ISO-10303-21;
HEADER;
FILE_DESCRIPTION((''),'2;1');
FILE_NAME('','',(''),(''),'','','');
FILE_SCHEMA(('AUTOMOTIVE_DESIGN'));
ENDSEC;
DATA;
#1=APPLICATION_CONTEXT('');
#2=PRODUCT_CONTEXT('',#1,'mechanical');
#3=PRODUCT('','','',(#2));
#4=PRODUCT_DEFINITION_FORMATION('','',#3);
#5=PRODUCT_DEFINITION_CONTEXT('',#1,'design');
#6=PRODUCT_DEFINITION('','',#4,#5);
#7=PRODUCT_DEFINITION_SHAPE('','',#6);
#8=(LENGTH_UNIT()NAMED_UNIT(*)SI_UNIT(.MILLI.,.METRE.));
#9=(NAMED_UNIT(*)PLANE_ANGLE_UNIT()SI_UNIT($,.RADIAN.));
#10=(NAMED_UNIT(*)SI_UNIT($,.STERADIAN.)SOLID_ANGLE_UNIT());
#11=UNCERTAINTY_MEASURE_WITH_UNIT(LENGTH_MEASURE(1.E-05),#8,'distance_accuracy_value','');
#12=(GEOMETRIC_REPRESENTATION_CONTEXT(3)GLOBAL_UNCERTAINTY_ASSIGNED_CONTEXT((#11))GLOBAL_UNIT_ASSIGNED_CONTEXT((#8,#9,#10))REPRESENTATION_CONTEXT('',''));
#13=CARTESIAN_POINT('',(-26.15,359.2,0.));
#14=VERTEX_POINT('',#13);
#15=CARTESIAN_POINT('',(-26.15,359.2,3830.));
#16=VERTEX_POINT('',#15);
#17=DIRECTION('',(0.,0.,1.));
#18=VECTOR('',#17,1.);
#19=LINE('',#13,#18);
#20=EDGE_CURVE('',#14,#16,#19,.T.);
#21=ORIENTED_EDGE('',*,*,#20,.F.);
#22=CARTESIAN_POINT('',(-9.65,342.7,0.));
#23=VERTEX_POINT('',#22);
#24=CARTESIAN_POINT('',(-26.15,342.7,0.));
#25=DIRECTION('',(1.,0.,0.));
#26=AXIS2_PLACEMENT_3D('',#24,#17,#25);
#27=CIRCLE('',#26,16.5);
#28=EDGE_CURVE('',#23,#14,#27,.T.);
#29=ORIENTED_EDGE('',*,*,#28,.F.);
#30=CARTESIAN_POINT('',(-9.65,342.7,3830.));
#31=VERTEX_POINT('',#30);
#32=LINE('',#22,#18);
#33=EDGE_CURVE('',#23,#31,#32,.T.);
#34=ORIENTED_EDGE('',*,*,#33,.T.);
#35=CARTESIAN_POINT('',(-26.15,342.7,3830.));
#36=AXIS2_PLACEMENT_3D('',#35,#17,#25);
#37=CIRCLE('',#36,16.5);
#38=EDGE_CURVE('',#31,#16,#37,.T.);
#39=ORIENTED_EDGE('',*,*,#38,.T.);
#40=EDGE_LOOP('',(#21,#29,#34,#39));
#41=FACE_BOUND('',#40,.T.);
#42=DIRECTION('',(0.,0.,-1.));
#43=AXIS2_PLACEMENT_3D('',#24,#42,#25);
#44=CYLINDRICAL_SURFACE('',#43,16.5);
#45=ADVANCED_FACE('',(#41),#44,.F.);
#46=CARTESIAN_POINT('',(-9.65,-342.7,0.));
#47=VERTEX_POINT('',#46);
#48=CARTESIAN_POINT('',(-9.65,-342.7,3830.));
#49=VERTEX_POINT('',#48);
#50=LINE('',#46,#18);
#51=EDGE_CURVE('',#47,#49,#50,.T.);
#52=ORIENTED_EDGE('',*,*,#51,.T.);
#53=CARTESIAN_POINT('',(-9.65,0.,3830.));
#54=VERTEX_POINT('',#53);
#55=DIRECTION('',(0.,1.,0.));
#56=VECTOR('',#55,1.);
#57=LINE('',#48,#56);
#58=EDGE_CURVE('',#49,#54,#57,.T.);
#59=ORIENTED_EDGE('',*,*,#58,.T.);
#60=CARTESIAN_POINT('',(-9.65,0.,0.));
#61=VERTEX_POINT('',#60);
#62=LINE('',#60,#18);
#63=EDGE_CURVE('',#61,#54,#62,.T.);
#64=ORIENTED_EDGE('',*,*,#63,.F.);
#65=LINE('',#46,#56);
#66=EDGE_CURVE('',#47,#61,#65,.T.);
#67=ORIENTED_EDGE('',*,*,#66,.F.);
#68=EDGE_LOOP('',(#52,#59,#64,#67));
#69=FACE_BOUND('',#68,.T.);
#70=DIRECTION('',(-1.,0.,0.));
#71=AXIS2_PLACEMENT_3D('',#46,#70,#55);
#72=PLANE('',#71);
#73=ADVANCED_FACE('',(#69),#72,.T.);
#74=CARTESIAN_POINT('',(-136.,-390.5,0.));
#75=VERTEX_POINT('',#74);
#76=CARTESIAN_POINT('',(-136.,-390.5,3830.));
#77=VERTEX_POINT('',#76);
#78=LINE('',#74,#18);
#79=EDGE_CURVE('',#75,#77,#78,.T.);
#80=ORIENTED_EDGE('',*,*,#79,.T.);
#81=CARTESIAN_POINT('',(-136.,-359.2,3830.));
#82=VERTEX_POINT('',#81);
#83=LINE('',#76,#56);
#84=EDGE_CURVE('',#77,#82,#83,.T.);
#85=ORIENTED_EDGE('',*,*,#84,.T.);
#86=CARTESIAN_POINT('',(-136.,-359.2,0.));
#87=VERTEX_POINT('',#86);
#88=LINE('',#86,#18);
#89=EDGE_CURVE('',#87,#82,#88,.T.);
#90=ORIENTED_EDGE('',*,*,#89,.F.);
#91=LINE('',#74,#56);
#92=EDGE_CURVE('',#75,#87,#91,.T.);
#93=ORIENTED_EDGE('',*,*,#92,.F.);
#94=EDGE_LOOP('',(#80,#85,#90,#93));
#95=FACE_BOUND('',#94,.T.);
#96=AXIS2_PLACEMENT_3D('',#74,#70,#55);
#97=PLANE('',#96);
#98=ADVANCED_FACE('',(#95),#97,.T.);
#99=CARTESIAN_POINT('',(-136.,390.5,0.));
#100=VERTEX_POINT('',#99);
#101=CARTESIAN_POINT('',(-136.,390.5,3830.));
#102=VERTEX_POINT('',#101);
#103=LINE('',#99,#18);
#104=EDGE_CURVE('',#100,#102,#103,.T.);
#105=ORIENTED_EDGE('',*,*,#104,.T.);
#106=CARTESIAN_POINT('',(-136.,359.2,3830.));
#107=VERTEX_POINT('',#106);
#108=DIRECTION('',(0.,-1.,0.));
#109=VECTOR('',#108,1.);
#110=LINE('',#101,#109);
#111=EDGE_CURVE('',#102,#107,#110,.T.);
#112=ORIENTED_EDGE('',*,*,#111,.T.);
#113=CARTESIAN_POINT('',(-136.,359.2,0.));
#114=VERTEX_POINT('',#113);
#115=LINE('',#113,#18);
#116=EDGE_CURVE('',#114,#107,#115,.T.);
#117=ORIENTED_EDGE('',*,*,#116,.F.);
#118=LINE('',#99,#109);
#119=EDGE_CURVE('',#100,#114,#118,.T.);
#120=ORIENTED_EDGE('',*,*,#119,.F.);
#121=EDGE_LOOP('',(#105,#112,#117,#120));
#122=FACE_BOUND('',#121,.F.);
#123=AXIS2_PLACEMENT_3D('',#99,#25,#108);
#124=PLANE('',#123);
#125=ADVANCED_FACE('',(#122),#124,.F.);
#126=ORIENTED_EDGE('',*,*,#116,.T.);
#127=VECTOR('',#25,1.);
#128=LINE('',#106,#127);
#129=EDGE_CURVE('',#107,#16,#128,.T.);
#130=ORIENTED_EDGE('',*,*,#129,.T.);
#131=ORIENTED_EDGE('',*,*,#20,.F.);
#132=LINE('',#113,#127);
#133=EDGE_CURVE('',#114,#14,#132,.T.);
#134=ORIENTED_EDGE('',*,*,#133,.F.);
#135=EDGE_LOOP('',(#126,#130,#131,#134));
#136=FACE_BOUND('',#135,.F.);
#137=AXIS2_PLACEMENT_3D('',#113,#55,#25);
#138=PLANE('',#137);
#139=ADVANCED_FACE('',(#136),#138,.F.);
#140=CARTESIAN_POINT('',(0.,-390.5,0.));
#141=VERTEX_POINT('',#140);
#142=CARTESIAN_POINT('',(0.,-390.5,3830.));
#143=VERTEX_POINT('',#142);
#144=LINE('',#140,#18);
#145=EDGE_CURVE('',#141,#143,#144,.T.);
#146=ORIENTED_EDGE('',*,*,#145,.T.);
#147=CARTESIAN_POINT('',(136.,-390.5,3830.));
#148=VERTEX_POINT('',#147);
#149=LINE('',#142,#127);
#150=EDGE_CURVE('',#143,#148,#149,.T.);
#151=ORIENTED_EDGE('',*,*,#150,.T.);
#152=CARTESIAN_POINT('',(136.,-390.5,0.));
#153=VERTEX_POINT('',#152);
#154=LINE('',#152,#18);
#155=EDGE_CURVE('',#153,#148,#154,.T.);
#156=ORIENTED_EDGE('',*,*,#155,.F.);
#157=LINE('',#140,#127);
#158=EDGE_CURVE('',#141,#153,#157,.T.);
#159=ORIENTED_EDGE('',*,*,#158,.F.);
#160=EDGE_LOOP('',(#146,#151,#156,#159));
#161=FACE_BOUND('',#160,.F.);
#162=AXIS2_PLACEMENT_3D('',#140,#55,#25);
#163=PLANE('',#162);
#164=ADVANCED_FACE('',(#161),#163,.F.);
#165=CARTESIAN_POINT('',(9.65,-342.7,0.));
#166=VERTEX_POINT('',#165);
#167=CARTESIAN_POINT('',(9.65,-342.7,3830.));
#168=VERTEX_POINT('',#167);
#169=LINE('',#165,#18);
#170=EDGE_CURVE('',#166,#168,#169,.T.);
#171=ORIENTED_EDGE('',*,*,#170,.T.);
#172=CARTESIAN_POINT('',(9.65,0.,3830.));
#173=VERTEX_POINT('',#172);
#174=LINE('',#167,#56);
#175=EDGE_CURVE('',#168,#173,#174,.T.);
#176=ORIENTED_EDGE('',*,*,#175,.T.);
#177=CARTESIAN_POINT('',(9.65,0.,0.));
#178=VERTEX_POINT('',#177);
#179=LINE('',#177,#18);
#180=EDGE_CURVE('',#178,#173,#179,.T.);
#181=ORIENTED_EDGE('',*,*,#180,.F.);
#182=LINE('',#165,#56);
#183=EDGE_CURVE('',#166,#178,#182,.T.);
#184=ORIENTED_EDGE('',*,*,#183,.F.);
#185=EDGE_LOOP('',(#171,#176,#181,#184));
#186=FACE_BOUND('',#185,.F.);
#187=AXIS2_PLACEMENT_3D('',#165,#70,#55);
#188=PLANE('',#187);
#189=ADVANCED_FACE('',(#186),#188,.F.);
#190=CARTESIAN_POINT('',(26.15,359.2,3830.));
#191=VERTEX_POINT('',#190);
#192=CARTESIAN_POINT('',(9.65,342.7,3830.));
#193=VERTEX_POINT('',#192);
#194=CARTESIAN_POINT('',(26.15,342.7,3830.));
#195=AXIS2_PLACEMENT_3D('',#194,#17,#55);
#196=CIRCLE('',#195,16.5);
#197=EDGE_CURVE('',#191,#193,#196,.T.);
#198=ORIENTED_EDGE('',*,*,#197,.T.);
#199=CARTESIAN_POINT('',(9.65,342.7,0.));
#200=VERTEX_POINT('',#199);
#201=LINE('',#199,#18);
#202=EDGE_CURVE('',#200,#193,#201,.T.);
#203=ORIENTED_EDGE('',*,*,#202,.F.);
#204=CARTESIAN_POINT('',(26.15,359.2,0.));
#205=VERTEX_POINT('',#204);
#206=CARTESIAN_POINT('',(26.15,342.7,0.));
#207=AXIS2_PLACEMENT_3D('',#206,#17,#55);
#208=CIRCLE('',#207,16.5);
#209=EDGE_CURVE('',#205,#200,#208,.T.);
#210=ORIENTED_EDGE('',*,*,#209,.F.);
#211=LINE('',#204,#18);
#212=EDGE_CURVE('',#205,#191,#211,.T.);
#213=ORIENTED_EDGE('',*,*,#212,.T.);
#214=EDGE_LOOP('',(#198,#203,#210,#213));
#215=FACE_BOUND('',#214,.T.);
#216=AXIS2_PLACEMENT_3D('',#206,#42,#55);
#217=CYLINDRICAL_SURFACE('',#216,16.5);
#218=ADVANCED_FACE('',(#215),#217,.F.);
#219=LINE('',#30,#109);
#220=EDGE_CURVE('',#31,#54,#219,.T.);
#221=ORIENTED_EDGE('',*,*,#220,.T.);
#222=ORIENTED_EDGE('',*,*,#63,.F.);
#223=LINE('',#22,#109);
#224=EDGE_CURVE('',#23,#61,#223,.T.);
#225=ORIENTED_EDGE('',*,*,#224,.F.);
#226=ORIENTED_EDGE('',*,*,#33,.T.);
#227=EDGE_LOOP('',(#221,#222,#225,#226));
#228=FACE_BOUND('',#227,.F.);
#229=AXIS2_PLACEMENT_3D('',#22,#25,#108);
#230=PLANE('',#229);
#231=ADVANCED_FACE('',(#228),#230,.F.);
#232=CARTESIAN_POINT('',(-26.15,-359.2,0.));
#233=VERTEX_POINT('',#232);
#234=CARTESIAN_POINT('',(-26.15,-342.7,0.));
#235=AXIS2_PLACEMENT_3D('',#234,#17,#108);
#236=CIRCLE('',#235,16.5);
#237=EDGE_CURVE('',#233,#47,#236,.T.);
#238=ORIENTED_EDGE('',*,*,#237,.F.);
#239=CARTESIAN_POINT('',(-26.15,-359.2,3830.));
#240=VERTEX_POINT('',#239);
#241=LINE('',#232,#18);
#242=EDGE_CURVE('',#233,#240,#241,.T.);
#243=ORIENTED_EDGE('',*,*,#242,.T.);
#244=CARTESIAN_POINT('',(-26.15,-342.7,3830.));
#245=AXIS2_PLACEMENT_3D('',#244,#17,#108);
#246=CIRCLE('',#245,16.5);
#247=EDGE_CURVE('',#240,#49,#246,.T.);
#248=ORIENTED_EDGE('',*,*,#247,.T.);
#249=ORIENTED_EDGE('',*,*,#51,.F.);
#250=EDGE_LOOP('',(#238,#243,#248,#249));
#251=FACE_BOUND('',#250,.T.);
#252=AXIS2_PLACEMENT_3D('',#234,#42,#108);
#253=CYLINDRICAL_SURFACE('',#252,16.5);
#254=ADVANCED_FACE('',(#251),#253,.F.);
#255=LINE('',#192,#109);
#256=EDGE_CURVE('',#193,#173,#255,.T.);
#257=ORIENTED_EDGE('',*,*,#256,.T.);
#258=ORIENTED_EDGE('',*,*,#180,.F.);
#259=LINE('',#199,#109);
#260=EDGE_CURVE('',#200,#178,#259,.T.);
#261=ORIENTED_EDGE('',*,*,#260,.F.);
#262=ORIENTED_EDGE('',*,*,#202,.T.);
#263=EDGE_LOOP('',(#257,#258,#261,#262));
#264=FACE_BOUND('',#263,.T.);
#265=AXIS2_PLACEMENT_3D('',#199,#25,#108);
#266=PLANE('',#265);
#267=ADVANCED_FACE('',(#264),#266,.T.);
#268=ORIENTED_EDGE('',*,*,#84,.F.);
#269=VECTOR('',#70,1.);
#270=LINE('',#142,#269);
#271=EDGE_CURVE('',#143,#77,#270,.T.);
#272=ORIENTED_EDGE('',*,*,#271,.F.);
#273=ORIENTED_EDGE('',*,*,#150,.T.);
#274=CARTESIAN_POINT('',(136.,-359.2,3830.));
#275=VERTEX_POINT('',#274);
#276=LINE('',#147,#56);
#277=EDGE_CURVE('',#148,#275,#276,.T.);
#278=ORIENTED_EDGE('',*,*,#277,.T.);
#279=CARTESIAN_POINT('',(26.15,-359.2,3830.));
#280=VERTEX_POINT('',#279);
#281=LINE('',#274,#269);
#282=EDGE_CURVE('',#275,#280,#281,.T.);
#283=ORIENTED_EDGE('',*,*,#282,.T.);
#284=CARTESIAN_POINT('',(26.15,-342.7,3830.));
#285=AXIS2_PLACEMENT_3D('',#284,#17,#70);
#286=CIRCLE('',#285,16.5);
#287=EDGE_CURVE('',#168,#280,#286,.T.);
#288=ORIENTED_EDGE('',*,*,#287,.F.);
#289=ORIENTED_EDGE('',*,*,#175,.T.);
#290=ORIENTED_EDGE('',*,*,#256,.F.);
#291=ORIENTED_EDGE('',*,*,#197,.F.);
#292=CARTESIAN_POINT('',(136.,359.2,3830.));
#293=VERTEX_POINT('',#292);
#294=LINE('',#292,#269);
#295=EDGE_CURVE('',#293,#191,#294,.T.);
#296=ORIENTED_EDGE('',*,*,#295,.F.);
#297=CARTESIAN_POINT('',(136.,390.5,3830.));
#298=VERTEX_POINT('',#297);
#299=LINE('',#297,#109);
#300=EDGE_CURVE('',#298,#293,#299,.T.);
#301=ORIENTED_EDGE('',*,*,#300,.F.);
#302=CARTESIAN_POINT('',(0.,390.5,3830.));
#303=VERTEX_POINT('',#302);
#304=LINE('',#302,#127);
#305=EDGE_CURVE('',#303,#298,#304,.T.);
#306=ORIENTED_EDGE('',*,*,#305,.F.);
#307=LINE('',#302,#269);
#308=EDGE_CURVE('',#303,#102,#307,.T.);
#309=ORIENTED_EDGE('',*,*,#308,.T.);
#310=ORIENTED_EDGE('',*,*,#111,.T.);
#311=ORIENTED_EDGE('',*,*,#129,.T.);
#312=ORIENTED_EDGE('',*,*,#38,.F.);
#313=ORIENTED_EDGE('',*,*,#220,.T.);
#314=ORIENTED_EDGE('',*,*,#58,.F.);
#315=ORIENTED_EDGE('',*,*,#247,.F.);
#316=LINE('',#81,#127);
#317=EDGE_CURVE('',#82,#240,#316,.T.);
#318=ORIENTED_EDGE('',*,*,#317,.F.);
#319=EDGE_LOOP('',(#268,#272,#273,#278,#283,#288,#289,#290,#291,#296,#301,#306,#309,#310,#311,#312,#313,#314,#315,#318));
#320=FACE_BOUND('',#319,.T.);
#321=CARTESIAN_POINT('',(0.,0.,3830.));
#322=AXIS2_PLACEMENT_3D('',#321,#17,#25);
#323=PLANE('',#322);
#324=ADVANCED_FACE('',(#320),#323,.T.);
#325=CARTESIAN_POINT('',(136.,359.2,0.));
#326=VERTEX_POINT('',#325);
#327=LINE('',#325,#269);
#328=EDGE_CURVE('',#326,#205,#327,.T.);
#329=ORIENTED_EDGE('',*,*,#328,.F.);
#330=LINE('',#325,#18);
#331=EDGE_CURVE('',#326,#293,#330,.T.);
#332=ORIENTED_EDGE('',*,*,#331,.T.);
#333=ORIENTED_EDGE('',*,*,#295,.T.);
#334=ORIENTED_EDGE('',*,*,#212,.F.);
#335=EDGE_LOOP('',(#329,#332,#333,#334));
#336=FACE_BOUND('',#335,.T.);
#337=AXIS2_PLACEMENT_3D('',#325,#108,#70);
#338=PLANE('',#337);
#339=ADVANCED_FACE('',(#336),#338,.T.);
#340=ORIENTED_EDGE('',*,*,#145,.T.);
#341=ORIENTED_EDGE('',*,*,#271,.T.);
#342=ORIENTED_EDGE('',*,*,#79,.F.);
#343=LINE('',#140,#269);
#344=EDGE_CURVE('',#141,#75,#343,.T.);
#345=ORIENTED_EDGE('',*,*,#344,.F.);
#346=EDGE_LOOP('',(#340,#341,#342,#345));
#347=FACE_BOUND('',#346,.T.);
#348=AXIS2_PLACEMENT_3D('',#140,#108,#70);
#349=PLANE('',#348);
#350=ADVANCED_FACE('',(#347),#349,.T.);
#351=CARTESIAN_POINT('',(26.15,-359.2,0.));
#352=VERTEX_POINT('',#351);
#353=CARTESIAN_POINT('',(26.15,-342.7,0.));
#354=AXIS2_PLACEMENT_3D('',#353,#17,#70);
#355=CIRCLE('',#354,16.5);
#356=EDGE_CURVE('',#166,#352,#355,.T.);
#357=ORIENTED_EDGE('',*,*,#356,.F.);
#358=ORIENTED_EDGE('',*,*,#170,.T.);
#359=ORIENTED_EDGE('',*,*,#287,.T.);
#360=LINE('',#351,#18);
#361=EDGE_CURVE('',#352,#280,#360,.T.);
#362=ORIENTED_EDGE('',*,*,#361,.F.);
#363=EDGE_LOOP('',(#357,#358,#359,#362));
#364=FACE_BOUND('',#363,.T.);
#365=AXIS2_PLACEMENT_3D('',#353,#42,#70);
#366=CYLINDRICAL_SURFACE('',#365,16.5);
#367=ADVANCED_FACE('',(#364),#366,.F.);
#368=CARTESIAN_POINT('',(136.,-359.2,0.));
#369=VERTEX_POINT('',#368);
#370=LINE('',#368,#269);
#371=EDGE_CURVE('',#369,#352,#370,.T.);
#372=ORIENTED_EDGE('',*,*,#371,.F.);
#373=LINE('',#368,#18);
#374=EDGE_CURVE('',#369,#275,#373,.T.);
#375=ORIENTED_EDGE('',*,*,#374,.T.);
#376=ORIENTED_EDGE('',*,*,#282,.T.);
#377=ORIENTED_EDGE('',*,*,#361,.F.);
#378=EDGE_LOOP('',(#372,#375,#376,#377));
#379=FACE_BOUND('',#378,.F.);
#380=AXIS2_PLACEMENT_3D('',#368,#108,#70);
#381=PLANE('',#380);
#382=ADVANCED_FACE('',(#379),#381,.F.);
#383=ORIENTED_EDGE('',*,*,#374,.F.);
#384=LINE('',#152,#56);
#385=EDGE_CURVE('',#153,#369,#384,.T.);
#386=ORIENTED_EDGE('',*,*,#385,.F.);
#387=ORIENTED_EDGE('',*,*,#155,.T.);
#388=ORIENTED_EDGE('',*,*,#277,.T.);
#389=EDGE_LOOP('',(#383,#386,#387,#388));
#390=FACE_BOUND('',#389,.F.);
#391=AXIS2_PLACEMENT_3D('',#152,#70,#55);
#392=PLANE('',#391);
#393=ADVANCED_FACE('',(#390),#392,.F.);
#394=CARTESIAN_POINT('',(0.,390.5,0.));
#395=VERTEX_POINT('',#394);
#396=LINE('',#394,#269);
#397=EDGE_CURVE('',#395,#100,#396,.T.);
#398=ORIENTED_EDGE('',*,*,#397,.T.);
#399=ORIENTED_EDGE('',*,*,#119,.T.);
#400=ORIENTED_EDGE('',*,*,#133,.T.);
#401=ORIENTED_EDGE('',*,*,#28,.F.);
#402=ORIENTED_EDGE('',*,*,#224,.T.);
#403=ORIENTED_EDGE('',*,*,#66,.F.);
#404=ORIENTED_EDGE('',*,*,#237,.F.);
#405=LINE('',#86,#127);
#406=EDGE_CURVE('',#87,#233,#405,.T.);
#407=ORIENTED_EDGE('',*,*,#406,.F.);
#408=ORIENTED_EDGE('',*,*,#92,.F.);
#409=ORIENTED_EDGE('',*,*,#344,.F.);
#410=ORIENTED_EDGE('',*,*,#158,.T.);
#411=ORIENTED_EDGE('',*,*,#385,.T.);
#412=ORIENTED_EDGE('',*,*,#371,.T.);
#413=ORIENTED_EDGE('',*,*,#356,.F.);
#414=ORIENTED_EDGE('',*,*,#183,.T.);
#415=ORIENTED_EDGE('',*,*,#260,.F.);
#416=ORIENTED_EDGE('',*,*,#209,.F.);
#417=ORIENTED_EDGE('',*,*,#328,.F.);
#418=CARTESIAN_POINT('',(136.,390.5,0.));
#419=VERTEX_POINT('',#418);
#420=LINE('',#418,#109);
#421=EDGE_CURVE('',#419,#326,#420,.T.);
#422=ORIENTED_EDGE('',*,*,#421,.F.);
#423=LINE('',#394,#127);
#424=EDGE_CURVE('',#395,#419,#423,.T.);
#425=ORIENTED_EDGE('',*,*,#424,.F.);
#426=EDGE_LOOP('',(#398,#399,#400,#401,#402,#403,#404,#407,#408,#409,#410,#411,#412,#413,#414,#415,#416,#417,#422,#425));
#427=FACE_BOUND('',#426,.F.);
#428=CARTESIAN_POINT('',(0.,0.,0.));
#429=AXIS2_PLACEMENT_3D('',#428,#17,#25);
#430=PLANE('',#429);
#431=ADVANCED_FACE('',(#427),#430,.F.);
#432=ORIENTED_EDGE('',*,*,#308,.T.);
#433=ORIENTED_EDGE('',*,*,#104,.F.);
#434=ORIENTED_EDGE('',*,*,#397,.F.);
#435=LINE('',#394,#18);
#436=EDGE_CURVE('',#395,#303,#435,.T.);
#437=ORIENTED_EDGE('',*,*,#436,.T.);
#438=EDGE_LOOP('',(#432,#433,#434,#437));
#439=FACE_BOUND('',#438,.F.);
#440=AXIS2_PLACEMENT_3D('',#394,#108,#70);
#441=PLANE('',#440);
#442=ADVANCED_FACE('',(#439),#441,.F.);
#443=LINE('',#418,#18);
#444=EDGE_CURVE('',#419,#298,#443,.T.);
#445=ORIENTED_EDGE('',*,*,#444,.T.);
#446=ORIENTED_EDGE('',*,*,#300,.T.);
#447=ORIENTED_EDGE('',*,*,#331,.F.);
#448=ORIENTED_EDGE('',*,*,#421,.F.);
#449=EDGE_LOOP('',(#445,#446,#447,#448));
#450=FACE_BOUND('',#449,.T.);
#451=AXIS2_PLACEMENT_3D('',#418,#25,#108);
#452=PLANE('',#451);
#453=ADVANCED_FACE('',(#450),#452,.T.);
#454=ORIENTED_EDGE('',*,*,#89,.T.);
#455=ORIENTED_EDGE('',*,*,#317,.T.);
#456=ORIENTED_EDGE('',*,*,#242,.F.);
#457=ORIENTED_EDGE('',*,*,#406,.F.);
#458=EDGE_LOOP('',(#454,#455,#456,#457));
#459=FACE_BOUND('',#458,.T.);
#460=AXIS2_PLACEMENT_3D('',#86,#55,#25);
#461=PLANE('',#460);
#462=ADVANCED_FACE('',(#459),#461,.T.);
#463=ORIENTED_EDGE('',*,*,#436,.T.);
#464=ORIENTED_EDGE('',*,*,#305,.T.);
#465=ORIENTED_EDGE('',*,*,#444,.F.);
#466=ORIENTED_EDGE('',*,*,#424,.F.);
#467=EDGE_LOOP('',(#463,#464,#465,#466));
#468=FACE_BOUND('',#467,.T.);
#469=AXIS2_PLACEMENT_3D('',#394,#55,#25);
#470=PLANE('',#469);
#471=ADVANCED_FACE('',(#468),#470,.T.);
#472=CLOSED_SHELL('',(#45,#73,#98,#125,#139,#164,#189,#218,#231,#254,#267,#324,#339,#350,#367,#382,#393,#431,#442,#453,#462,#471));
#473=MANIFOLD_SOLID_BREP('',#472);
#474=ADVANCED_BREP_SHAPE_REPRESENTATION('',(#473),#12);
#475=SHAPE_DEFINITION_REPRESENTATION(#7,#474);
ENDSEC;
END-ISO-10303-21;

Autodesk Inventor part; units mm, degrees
ref_plane "YZ Plane" through (0, 0, 0) normal (1, 0, 0) x (0, 1, 0)
ref_plane "Start plane" through (0, 0, 0) normal (0, 0, 1) x (1, 0, 0)
ref_plane "End plane" through (0, 0, 3830) normal (0, 0, 1) x (1, 0, 0)
sketch "Sketch" plane through (0, 0, 0) normal (0, 0, 1) x (1, 0, 0)
  line L0 (-136, -390.5) -> (-136, -359.2)
  line L1 (-136, -359.2) -> (-26.15, -359.2)
  line L2 (-9.65, -342.7) -> (-9.65, 0)
  line L3 (-9.65, 0) -> (0, 0) construction
  line L4 (0, 0) -> (0, -390.5) construction
  line L5 (0, -390.5) -> (-136, -390.5)
  line L6 (-60, 0) -> (80, 0) construction
  line L7 (0, -60) -> (0, 80) construction
  line L8 (136, -390.5) -> (136, -359.2)
  line L9 (136, -359.2) -> (26.15, -359.2)
  line L10 (9.65, -342.7) -> (9.65, 0)
  line L11 (9.65, 0) -> (0, 0) construction
  line L12 (0, -390.5) -> (136, -390.5)
  line L13 (-136, 390.5) -> (-136, 359.2)
  line L14 (-136, 359.2) -> (-26.15, 359.2)
  line L15 (-9.65, 342.7) -> (-9.65, 0)
  line L16 (0, 390.5) -> (-136, 390.5)
  line L17 (136, 390.5) -> (136, 359.2)
  line L18 (136, 359.2) -> (26.15, 359.2)
  line L19 (0, 390.5) -> (136, 390.5)
  line L20 (9.65, 342.7) -> (9.65, 0)
  arc A0 (-9.65, 342.7) -> (-26.15, 359.2) centre (-26.15, 342.7) ccw
  arc A1 (26.15, 359.2) -> (9.65, 342.7) centre (26.15, 342.7) ccw
  arc A2 (9.65, -342.7) -> (26.15, -359.2) centre (26.15, -342.7) ccw
  arc A3 (-26.15, -359.2) -> (-9.65, -342.7) centre (-26.15, -342.7) ccw
  line L21 (0, 108) -> (0, -88) construction
  line L22 (-88, 0) -> (108, 0) construction
  point P0 (-9.65, -359.2)
  point P1 (9.65, -359.2)
  point P2 (-9.65, 359.2)
  point P3 (9.65, 359.2)
  dimension "d1" = 390.5
  dimension "d2" = 31.3
  dimension "d3" = 136
  dimension "d4" = 9.65
  dimension "d10" = 16.5
extrude "Body" add sketch "Sketch" along normal up to surface (3830 mm away) from surface at 0
sketch "Sketch4" plane through (0, 0, 0) normal (0, 0, 1) x (1, 0, 0)
  line L0 (0, 0) -> (10, 0)
ref_plane "Work Plane3" through (0, 0, 0) normal (0, -1, 0) x (1, 0, 0)
sketch "Sketch5" plane through (0, 0, 0) normal (0, -1, 0) x (1, 0, 0)
  line L0 (-2, 0) -> (12, 0) projected
  line L1 (-2, 3830) -> (12, 3830) projected
  dimension "d14" = 3830
equation "\"d1\" = 0.5 * G_H"
equation "\"d2\" = G_T1"
equation "\"d3\" = 0.5 * G_W"
equation "\"d4\" = 0.5 * G_T"
equation "\"d10\" = G_IR"
equation "\"d5\" = G_L"
equation "\"G_W\" = 272"
equation "\"G_H\" = 781"
equation "\"G_T\" = 19.3"
equation "\"G_T1\" = 31.3"
equation "\"G_IR\" = 16.5"
equation "\"G_L\" = d14"
equation "\"G_OFFSET_START\" = 0"
equation "\"G_OFFSET_END\" = 0"
properties part number "AS 3679-1990 - 760 UB - 244 - 3830" material "Steel, Mild"
